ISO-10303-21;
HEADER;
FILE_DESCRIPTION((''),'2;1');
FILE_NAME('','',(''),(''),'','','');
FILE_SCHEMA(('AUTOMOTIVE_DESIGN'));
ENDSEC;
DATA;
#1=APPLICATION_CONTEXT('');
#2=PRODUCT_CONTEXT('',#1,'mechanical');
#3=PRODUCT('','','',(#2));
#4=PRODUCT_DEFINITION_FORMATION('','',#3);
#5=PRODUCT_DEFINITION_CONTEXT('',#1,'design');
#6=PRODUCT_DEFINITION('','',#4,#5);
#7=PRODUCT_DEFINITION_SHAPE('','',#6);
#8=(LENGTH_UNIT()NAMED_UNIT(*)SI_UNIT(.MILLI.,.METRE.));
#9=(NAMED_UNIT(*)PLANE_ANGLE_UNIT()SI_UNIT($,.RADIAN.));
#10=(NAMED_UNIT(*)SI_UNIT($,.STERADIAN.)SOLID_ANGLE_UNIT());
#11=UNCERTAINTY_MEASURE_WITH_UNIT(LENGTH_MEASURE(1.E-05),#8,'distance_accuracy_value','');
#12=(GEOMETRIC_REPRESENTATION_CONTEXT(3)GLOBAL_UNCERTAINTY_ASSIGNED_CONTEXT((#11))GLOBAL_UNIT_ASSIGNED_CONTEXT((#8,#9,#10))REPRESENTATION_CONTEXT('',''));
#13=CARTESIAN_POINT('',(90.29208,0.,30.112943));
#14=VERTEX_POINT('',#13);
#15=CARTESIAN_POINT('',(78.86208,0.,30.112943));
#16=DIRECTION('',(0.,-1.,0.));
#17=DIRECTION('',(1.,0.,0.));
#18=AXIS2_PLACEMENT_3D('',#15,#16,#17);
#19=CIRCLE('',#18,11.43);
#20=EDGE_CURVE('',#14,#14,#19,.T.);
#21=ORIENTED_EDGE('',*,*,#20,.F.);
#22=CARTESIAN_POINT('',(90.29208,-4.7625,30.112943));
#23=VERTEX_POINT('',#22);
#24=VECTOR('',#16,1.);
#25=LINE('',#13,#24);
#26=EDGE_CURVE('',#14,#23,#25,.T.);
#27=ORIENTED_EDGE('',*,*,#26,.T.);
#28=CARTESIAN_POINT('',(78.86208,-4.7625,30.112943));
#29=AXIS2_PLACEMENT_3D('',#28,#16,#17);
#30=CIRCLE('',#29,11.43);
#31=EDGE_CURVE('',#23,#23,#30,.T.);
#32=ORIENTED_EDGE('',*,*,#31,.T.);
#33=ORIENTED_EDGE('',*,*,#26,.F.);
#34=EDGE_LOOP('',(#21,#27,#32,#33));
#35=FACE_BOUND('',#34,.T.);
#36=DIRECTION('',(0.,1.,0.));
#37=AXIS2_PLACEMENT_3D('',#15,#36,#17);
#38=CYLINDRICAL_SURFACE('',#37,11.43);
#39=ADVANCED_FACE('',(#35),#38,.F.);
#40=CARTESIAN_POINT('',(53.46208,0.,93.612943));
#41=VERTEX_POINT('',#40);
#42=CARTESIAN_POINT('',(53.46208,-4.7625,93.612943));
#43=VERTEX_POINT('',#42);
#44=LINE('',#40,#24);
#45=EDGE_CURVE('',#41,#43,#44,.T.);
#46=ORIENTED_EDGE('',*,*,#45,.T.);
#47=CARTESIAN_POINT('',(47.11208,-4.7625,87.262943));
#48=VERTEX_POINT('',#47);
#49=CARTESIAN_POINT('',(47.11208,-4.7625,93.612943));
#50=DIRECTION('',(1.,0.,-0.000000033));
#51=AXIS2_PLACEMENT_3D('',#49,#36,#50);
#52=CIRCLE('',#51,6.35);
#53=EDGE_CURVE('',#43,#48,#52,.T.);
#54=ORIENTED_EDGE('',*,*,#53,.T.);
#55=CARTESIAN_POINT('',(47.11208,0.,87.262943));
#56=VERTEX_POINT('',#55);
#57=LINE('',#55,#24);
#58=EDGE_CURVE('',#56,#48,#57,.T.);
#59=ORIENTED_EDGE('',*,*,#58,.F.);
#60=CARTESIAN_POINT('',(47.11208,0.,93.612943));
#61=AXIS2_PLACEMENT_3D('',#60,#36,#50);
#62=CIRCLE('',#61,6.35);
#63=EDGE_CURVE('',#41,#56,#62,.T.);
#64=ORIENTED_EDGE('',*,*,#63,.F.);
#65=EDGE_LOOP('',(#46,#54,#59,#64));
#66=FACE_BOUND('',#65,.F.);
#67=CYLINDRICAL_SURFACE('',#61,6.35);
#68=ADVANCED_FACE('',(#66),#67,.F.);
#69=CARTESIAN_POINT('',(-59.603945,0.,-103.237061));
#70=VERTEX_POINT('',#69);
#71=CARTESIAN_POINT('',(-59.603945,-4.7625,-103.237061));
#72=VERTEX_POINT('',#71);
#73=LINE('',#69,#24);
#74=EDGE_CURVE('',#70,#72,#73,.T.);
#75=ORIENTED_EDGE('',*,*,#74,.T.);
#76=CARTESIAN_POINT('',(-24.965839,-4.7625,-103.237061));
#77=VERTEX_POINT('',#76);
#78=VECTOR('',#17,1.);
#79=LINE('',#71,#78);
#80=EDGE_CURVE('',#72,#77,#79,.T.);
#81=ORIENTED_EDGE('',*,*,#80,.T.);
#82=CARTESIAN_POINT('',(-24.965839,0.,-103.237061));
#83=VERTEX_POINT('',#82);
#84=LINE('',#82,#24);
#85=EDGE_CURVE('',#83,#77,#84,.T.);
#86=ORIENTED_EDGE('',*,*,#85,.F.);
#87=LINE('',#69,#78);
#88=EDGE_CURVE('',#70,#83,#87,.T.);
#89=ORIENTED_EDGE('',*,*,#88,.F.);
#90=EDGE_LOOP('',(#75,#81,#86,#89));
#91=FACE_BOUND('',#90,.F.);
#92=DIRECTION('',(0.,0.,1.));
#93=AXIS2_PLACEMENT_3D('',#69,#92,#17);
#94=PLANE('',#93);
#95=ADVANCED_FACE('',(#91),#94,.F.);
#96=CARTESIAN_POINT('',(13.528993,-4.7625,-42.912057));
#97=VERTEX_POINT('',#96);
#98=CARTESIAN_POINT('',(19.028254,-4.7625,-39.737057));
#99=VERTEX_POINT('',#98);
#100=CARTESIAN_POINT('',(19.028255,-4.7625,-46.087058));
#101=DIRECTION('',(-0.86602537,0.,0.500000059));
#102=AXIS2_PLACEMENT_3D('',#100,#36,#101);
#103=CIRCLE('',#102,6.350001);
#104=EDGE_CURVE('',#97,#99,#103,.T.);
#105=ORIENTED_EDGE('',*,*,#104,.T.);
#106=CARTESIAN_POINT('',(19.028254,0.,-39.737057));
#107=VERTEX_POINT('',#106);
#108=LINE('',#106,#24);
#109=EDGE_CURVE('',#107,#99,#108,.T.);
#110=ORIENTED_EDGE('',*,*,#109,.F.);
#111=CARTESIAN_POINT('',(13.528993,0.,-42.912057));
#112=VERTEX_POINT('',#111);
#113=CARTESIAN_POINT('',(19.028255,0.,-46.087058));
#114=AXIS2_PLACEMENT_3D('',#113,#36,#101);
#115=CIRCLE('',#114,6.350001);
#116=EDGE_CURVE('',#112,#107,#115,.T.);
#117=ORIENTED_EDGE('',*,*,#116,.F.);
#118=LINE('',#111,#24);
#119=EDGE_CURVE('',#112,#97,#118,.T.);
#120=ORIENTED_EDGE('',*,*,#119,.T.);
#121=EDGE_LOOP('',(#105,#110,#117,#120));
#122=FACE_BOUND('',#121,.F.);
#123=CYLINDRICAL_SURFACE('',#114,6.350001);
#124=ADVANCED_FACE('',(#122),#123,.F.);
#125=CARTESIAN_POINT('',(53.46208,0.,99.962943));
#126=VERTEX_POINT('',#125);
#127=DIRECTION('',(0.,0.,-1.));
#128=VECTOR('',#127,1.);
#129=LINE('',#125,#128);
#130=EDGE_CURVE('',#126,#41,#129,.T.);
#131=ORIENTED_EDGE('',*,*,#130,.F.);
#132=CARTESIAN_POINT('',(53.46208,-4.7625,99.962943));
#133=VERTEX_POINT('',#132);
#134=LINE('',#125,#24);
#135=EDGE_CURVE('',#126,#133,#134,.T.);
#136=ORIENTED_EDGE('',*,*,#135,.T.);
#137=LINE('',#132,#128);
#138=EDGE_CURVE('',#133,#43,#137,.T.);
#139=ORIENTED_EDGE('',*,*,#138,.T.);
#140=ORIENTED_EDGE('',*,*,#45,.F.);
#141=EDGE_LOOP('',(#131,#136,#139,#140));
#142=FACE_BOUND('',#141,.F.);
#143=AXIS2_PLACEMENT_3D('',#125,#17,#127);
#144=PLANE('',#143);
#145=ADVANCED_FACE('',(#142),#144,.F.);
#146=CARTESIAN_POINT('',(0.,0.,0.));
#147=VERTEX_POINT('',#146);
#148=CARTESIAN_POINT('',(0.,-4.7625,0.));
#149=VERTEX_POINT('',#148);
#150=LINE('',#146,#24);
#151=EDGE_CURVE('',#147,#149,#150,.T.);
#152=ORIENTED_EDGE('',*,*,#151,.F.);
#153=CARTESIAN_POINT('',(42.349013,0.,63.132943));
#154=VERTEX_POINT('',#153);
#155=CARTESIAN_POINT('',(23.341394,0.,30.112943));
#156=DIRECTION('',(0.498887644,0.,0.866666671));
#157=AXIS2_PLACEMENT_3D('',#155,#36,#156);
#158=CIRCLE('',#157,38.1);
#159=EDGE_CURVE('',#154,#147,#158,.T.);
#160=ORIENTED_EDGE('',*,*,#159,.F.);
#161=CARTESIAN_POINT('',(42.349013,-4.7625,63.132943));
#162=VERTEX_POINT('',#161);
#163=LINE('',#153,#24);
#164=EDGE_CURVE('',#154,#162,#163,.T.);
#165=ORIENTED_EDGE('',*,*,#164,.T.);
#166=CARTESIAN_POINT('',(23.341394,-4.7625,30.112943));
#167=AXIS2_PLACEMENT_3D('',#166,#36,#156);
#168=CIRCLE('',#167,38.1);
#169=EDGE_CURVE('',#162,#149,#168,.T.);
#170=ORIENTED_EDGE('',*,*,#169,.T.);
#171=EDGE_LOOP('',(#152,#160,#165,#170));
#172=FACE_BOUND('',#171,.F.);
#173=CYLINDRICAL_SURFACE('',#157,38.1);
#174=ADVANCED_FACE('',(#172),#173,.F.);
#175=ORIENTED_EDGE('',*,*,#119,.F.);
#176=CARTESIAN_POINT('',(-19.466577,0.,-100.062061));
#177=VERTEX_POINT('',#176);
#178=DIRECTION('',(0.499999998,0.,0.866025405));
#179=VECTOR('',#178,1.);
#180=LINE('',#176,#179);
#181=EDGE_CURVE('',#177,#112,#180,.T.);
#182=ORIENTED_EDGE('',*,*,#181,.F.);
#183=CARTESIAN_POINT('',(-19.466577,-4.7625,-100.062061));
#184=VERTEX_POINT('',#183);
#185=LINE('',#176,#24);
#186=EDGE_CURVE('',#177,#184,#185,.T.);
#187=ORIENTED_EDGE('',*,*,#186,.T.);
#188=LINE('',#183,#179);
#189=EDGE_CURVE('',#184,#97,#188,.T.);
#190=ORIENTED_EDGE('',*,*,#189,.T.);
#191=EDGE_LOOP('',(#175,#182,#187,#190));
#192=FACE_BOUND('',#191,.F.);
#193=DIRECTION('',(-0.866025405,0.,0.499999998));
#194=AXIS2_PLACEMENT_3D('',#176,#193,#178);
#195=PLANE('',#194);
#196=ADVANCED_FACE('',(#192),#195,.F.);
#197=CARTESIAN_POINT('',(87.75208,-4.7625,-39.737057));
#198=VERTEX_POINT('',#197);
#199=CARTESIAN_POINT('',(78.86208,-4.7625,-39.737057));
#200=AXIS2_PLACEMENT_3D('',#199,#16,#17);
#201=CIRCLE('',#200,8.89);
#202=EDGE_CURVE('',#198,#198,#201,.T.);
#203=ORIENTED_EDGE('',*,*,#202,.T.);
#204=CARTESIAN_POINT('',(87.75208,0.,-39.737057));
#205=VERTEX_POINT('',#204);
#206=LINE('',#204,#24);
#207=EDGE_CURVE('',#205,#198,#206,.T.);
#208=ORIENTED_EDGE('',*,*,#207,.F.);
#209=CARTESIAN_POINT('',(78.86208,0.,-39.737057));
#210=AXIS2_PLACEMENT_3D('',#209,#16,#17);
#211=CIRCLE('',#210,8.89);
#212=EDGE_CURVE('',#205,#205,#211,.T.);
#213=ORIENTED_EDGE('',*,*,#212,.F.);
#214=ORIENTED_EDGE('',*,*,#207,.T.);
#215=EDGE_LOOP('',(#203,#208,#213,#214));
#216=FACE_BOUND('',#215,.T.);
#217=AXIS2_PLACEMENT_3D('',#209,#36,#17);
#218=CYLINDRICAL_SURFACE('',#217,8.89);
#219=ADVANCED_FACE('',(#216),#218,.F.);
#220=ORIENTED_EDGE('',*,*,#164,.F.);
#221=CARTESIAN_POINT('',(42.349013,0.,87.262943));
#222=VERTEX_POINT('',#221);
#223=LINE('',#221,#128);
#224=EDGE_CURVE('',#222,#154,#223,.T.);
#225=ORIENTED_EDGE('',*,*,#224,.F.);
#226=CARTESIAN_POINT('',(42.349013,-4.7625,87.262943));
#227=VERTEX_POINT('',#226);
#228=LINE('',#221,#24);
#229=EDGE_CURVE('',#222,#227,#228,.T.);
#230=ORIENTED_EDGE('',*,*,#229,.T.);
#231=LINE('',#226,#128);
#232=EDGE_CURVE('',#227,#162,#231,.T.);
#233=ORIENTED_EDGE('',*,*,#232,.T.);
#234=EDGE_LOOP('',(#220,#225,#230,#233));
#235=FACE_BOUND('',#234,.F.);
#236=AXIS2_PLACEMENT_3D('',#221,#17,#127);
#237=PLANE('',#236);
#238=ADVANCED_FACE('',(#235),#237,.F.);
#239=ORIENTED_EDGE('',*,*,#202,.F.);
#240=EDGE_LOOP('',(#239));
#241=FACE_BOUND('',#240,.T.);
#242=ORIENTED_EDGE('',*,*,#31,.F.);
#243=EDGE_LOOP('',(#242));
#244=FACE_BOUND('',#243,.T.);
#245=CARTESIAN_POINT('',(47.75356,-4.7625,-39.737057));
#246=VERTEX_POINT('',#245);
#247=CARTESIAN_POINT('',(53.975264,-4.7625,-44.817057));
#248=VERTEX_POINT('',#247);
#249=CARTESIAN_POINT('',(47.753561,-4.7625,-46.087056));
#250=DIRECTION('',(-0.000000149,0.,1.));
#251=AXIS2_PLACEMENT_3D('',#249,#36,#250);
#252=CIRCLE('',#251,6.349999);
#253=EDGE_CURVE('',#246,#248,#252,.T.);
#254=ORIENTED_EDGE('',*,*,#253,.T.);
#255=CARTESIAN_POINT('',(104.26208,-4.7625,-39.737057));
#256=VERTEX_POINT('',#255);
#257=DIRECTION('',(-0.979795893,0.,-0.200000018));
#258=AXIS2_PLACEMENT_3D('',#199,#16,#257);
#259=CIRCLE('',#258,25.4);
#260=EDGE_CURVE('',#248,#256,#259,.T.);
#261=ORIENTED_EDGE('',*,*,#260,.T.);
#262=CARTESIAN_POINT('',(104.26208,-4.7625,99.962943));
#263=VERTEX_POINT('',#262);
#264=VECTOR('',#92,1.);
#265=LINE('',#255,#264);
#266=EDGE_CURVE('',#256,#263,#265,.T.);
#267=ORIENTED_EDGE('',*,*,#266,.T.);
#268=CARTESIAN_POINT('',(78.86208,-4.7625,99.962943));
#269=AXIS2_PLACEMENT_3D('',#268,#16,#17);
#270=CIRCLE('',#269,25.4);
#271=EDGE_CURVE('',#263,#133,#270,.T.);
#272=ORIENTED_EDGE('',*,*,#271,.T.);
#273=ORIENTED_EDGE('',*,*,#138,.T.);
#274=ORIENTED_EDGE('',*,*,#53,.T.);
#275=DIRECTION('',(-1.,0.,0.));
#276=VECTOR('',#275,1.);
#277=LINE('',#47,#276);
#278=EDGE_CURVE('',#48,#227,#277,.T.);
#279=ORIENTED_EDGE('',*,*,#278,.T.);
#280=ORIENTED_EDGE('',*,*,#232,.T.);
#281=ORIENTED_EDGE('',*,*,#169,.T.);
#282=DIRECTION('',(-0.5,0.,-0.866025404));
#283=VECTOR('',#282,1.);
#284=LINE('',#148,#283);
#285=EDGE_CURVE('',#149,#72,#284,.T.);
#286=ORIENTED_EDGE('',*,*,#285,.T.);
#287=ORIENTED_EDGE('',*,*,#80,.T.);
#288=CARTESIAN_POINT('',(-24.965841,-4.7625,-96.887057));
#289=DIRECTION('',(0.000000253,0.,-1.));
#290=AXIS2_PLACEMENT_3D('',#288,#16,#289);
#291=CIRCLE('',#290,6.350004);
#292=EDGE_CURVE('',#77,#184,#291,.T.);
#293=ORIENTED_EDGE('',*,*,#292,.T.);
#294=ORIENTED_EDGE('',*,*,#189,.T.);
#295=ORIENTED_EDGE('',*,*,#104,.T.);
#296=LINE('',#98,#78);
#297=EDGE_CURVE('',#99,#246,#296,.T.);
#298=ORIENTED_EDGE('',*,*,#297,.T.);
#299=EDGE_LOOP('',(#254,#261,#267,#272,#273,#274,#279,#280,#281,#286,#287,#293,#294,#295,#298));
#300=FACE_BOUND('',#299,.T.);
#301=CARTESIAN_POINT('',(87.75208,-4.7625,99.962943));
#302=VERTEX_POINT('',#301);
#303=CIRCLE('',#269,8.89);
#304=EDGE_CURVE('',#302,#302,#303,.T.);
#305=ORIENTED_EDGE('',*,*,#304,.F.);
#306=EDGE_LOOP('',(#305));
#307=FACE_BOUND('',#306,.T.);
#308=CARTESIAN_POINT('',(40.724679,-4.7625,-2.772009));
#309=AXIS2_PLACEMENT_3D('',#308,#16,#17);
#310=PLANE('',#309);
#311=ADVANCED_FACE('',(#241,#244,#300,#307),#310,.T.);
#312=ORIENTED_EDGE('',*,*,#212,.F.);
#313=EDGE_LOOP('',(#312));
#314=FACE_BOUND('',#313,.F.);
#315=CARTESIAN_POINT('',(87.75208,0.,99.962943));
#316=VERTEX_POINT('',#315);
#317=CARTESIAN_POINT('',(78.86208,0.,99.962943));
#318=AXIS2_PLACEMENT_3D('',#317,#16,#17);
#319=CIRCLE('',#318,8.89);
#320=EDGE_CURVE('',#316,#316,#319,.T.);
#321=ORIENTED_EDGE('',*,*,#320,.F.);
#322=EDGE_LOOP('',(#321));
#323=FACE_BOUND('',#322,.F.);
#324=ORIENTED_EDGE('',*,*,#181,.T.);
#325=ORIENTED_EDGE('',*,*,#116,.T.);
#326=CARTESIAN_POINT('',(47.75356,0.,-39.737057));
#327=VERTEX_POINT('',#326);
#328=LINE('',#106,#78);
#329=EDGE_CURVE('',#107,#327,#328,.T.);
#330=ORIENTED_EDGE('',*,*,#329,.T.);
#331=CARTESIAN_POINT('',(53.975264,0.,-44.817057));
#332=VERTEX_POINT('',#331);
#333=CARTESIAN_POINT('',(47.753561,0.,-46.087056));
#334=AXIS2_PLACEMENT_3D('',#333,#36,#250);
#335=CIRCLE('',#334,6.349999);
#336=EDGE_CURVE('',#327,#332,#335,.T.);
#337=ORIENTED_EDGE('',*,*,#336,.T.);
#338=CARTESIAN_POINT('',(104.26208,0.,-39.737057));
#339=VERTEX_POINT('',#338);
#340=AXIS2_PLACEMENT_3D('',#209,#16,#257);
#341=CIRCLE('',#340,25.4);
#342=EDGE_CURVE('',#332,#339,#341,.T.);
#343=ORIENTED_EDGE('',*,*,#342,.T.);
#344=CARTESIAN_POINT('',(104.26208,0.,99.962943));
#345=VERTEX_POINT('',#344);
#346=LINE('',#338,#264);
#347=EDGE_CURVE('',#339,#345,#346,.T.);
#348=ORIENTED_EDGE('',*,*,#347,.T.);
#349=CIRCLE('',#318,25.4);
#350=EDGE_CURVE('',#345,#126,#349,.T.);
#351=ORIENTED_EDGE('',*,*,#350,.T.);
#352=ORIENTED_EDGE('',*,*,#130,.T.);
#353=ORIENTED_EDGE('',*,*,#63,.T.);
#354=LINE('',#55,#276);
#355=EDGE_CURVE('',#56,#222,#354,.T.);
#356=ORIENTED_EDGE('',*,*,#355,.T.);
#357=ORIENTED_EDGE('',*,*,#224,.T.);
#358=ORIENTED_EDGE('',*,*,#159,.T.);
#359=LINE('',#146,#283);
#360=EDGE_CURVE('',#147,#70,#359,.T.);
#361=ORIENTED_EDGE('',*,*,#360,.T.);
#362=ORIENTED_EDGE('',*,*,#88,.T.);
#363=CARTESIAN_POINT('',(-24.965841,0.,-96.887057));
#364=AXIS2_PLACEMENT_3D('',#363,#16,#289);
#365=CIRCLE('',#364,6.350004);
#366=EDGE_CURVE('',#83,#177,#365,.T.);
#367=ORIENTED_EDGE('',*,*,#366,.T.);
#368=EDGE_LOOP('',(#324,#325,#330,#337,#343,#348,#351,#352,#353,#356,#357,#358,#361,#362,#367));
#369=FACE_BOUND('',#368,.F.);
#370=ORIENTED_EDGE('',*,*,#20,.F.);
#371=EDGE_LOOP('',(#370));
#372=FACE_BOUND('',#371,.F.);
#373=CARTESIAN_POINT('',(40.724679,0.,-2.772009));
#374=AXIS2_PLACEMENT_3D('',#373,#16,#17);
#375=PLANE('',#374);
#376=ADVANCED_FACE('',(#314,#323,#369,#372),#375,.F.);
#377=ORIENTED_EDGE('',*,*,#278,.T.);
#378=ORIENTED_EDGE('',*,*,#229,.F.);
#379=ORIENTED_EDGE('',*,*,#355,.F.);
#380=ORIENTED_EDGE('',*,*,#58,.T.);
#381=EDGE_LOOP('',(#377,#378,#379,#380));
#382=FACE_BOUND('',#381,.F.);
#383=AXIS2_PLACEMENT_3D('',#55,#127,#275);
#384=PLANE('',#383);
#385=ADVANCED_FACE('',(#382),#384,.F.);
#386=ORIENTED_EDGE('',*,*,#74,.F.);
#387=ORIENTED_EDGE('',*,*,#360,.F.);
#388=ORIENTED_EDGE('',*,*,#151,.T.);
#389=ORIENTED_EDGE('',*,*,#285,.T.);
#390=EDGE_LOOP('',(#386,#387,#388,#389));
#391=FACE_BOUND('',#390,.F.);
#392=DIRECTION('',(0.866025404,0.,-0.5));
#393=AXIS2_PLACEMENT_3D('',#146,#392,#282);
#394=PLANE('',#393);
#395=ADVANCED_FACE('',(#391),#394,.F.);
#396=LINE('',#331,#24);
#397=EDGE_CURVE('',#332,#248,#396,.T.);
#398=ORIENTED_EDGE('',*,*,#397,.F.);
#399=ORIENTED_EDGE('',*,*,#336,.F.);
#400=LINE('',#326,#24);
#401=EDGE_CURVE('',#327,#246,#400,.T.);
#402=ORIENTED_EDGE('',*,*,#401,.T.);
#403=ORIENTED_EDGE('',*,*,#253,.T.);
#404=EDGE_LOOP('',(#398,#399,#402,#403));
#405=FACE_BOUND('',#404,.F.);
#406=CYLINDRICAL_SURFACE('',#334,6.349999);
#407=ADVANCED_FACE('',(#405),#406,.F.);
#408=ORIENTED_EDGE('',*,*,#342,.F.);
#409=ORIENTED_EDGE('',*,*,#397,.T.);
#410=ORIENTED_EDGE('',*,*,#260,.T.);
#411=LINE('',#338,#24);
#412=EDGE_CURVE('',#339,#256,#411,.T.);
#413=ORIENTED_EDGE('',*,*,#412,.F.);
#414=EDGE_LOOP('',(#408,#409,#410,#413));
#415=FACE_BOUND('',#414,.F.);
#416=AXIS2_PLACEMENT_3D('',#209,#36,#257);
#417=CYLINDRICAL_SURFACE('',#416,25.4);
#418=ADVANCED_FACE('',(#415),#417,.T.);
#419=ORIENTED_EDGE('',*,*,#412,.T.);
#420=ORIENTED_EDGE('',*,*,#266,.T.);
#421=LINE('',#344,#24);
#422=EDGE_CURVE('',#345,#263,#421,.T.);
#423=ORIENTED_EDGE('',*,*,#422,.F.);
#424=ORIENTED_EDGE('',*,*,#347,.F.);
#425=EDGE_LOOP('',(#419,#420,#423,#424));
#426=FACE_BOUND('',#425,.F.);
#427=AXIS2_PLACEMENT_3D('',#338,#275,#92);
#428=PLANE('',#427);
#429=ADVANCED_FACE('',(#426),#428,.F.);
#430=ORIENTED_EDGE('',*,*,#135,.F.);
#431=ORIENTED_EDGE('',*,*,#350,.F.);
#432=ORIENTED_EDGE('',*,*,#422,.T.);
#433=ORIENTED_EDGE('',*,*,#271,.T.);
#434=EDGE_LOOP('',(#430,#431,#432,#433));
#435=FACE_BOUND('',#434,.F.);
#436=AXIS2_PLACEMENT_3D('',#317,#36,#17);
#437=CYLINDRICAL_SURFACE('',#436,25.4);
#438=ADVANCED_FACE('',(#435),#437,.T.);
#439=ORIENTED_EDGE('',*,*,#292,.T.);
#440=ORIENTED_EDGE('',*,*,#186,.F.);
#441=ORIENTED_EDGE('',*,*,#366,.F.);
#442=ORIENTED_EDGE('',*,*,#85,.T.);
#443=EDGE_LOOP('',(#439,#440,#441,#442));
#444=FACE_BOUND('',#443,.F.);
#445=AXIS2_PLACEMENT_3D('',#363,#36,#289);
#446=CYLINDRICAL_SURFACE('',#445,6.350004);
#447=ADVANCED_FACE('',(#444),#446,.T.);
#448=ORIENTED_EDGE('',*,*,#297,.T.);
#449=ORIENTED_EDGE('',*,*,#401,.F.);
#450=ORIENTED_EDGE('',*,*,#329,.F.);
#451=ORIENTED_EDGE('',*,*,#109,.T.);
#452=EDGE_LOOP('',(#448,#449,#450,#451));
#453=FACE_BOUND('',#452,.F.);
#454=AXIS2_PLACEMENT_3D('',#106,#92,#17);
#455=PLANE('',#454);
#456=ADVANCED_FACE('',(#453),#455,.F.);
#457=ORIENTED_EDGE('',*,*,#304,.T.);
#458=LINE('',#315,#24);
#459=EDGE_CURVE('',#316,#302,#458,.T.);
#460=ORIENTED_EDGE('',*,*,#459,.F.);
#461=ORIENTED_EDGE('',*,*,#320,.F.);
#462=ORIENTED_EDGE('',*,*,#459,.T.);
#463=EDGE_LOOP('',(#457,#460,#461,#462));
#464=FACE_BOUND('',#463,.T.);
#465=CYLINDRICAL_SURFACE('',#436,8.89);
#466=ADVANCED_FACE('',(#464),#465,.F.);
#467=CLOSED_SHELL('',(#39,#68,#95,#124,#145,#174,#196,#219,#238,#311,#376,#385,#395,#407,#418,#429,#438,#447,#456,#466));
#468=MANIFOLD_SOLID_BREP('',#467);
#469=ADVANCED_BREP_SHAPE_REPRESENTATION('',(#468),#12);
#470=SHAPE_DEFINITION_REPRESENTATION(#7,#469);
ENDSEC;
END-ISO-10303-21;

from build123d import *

# Parameters (mm, degrees)
F0_R     = 8.89
F0_R_2   = 11.43
F1_DEPTH = 4.7625


with BuildPart() as f1:
    # F0 (on Front) → F1 (new body)
    with BuildSketch(Plane.XZ):
        with BuildLine():
            Line((47.11208, 87.262943), (42.349013, 87.262943))
            Line((42.349013, 87.262943), (42.349013, 63.132943))
            ThreePointArc((42.349013, 63.132943), (54.982151, 8.888606), (0, 0))
            Line((0, 0), (-59.603945, -103.237061))
            Line((-59.603945, -103.237061), (-24.965839, -103.237061))
            ThreePointArc((-24.965839, -103.237061), (-21.790839, -102.386322), (-19.466577, -100.062061))
            Line((-19.466577, -100.062061), (13.528993, -42.912057))
            ThreePointArc((13.528993, -42.912057), (15.853254, -40.587796), (19.028254, -39.737057))
            Line((19.028254, -39.737057), (47.75356, -39.737057))
            ThreePointArc((47.75356, -39.737057), (51.769653, -41.168368), (53.975264, -44.817057))
            ThreePointArc((53.975264, -44.817057), (81.415007, -65.008435), (104.26208, -39.737057))
            Line((104.26208, -39.737057), (104.26208, 99.962943))
            ThreePointArc((104.26208, 99.962943), (78.86208, 125.362943), (53.46208, 99.962943))
            Line((53.46208, 99.962943), (53.46208, 93.612943))
            ThreePointArc((53.46208, 93.612943), (51.602208, 89.122815), (47.11208, 87.262943))
        make_face()
        with Locations((78.86208, -39.737057)):
            Circle(F0_R, mode=Mode.SUBTRACT)
        with Locations((78.86208, 30.112943)):
            Circle(F0_R_2, mode=Mode.SUBTRACT)
        with Locations((78.86208, 99.962943)):
            Circle(F0_R, mode=Mode.SUBTRACT)
    extrude(amount=F1_DEPTH)


solid = f1.part
